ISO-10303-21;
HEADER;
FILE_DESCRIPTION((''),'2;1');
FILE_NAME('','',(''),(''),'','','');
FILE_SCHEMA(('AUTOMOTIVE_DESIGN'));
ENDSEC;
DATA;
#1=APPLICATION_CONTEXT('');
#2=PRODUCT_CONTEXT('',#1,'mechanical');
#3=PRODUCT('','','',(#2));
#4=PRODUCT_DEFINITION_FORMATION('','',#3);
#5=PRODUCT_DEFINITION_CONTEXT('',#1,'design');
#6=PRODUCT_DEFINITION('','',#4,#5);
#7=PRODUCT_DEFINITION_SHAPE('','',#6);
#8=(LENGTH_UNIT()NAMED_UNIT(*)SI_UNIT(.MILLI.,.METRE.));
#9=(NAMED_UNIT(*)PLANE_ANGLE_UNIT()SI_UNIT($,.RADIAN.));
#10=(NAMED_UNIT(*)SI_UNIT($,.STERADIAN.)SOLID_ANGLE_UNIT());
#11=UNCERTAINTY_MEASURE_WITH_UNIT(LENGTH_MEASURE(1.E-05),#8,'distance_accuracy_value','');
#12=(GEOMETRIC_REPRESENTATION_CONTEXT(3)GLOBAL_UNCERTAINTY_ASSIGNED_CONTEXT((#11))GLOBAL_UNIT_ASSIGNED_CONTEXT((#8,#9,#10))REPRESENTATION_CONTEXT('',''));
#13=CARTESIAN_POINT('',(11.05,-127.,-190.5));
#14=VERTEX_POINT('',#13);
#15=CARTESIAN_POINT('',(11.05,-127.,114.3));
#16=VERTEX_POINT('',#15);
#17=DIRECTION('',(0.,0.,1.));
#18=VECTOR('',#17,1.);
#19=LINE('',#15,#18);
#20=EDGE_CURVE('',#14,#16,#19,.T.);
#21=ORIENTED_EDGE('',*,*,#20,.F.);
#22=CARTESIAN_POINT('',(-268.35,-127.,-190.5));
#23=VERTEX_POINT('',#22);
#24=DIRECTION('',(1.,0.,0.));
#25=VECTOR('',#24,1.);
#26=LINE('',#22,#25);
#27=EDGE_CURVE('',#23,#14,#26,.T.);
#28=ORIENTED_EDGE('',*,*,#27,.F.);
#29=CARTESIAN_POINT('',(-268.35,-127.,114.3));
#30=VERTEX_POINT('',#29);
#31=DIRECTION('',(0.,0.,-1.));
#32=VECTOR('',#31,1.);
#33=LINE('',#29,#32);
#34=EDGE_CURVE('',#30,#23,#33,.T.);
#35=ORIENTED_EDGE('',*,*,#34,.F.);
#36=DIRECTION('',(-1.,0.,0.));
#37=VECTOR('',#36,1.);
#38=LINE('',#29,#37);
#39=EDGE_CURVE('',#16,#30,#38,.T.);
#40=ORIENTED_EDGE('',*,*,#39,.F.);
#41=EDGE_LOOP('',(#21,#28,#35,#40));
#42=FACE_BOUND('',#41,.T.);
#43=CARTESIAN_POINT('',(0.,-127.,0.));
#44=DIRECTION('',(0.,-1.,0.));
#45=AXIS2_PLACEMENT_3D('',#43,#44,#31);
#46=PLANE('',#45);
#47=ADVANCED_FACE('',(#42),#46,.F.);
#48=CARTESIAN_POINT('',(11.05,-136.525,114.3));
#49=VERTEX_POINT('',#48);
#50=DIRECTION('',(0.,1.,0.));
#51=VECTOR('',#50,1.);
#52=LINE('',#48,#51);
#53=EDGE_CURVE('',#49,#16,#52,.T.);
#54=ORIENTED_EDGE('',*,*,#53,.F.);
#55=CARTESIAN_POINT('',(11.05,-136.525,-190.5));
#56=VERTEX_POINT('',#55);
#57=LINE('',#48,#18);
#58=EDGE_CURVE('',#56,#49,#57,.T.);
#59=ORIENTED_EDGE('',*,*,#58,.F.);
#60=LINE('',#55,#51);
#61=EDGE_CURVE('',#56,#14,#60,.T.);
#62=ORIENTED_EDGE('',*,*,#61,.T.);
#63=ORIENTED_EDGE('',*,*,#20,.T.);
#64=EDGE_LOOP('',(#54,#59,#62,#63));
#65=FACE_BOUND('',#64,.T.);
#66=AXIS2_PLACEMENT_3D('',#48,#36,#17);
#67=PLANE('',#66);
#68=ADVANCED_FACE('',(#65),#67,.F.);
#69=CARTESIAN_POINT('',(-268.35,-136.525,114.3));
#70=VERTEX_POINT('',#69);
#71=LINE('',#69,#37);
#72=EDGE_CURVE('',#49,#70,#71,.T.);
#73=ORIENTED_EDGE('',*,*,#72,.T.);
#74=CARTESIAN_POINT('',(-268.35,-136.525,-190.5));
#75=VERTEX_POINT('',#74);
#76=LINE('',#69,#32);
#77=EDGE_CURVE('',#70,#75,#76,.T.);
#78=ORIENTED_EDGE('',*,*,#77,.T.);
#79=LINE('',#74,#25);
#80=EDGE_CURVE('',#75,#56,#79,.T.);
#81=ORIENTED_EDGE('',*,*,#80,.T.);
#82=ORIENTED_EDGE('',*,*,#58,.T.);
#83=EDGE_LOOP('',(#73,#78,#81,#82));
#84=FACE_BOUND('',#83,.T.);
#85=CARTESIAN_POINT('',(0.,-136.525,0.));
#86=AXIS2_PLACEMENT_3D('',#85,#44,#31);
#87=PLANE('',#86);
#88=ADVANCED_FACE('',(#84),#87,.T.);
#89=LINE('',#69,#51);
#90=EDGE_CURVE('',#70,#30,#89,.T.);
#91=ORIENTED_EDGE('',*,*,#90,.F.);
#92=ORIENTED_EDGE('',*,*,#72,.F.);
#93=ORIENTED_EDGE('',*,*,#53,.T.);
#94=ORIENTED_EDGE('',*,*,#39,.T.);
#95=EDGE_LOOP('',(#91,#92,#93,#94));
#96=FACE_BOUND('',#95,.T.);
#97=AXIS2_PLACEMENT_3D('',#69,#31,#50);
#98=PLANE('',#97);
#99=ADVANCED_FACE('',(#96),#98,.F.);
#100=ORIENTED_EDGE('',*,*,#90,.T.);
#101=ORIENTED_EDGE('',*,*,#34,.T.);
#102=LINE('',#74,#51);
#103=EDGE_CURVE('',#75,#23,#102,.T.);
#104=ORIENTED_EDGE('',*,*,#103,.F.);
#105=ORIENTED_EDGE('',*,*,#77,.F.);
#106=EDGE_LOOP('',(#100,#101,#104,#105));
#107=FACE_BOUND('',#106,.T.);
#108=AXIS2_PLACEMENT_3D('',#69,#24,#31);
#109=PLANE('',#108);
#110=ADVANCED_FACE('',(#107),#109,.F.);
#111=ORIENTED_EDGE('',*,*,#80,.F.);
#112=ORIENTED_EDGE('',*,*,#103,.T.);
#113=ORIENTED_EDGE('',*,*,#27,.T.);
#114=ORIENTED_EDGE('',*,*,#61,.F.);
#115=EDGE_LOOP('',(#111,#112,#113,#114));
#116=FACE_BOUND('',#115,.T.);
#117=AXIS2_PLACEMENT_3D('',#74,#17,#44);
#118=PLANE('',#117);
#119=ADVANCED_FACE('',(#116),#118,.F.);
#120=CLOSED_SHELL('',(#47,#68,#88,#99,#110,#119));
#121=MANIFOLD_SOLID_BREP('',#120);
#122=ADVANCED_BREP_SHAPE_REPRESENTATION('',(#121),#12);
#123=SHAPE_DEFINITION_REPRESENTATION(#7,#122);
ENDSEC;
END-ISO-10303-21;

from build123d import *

# Parameters (mm, degrees)
SKETCH1_W           = 279.4
SKETCH1_H           = 304.8
BOSS_EXTRUDE1_DEPTH = 9.525


with BuildPart() as part:
    # Sketch1 → Boss-Extrude1 (new body)
    with BuildSketch(Plane.XZ.offset(127)):
        with Locations((-128.65, -38.1)):
            Rectangle(SKETCH1_W, SKETCH1_H)
    extrude(amount=BOSS_EXTRUDE1_DEPTH)


solid = part.part
